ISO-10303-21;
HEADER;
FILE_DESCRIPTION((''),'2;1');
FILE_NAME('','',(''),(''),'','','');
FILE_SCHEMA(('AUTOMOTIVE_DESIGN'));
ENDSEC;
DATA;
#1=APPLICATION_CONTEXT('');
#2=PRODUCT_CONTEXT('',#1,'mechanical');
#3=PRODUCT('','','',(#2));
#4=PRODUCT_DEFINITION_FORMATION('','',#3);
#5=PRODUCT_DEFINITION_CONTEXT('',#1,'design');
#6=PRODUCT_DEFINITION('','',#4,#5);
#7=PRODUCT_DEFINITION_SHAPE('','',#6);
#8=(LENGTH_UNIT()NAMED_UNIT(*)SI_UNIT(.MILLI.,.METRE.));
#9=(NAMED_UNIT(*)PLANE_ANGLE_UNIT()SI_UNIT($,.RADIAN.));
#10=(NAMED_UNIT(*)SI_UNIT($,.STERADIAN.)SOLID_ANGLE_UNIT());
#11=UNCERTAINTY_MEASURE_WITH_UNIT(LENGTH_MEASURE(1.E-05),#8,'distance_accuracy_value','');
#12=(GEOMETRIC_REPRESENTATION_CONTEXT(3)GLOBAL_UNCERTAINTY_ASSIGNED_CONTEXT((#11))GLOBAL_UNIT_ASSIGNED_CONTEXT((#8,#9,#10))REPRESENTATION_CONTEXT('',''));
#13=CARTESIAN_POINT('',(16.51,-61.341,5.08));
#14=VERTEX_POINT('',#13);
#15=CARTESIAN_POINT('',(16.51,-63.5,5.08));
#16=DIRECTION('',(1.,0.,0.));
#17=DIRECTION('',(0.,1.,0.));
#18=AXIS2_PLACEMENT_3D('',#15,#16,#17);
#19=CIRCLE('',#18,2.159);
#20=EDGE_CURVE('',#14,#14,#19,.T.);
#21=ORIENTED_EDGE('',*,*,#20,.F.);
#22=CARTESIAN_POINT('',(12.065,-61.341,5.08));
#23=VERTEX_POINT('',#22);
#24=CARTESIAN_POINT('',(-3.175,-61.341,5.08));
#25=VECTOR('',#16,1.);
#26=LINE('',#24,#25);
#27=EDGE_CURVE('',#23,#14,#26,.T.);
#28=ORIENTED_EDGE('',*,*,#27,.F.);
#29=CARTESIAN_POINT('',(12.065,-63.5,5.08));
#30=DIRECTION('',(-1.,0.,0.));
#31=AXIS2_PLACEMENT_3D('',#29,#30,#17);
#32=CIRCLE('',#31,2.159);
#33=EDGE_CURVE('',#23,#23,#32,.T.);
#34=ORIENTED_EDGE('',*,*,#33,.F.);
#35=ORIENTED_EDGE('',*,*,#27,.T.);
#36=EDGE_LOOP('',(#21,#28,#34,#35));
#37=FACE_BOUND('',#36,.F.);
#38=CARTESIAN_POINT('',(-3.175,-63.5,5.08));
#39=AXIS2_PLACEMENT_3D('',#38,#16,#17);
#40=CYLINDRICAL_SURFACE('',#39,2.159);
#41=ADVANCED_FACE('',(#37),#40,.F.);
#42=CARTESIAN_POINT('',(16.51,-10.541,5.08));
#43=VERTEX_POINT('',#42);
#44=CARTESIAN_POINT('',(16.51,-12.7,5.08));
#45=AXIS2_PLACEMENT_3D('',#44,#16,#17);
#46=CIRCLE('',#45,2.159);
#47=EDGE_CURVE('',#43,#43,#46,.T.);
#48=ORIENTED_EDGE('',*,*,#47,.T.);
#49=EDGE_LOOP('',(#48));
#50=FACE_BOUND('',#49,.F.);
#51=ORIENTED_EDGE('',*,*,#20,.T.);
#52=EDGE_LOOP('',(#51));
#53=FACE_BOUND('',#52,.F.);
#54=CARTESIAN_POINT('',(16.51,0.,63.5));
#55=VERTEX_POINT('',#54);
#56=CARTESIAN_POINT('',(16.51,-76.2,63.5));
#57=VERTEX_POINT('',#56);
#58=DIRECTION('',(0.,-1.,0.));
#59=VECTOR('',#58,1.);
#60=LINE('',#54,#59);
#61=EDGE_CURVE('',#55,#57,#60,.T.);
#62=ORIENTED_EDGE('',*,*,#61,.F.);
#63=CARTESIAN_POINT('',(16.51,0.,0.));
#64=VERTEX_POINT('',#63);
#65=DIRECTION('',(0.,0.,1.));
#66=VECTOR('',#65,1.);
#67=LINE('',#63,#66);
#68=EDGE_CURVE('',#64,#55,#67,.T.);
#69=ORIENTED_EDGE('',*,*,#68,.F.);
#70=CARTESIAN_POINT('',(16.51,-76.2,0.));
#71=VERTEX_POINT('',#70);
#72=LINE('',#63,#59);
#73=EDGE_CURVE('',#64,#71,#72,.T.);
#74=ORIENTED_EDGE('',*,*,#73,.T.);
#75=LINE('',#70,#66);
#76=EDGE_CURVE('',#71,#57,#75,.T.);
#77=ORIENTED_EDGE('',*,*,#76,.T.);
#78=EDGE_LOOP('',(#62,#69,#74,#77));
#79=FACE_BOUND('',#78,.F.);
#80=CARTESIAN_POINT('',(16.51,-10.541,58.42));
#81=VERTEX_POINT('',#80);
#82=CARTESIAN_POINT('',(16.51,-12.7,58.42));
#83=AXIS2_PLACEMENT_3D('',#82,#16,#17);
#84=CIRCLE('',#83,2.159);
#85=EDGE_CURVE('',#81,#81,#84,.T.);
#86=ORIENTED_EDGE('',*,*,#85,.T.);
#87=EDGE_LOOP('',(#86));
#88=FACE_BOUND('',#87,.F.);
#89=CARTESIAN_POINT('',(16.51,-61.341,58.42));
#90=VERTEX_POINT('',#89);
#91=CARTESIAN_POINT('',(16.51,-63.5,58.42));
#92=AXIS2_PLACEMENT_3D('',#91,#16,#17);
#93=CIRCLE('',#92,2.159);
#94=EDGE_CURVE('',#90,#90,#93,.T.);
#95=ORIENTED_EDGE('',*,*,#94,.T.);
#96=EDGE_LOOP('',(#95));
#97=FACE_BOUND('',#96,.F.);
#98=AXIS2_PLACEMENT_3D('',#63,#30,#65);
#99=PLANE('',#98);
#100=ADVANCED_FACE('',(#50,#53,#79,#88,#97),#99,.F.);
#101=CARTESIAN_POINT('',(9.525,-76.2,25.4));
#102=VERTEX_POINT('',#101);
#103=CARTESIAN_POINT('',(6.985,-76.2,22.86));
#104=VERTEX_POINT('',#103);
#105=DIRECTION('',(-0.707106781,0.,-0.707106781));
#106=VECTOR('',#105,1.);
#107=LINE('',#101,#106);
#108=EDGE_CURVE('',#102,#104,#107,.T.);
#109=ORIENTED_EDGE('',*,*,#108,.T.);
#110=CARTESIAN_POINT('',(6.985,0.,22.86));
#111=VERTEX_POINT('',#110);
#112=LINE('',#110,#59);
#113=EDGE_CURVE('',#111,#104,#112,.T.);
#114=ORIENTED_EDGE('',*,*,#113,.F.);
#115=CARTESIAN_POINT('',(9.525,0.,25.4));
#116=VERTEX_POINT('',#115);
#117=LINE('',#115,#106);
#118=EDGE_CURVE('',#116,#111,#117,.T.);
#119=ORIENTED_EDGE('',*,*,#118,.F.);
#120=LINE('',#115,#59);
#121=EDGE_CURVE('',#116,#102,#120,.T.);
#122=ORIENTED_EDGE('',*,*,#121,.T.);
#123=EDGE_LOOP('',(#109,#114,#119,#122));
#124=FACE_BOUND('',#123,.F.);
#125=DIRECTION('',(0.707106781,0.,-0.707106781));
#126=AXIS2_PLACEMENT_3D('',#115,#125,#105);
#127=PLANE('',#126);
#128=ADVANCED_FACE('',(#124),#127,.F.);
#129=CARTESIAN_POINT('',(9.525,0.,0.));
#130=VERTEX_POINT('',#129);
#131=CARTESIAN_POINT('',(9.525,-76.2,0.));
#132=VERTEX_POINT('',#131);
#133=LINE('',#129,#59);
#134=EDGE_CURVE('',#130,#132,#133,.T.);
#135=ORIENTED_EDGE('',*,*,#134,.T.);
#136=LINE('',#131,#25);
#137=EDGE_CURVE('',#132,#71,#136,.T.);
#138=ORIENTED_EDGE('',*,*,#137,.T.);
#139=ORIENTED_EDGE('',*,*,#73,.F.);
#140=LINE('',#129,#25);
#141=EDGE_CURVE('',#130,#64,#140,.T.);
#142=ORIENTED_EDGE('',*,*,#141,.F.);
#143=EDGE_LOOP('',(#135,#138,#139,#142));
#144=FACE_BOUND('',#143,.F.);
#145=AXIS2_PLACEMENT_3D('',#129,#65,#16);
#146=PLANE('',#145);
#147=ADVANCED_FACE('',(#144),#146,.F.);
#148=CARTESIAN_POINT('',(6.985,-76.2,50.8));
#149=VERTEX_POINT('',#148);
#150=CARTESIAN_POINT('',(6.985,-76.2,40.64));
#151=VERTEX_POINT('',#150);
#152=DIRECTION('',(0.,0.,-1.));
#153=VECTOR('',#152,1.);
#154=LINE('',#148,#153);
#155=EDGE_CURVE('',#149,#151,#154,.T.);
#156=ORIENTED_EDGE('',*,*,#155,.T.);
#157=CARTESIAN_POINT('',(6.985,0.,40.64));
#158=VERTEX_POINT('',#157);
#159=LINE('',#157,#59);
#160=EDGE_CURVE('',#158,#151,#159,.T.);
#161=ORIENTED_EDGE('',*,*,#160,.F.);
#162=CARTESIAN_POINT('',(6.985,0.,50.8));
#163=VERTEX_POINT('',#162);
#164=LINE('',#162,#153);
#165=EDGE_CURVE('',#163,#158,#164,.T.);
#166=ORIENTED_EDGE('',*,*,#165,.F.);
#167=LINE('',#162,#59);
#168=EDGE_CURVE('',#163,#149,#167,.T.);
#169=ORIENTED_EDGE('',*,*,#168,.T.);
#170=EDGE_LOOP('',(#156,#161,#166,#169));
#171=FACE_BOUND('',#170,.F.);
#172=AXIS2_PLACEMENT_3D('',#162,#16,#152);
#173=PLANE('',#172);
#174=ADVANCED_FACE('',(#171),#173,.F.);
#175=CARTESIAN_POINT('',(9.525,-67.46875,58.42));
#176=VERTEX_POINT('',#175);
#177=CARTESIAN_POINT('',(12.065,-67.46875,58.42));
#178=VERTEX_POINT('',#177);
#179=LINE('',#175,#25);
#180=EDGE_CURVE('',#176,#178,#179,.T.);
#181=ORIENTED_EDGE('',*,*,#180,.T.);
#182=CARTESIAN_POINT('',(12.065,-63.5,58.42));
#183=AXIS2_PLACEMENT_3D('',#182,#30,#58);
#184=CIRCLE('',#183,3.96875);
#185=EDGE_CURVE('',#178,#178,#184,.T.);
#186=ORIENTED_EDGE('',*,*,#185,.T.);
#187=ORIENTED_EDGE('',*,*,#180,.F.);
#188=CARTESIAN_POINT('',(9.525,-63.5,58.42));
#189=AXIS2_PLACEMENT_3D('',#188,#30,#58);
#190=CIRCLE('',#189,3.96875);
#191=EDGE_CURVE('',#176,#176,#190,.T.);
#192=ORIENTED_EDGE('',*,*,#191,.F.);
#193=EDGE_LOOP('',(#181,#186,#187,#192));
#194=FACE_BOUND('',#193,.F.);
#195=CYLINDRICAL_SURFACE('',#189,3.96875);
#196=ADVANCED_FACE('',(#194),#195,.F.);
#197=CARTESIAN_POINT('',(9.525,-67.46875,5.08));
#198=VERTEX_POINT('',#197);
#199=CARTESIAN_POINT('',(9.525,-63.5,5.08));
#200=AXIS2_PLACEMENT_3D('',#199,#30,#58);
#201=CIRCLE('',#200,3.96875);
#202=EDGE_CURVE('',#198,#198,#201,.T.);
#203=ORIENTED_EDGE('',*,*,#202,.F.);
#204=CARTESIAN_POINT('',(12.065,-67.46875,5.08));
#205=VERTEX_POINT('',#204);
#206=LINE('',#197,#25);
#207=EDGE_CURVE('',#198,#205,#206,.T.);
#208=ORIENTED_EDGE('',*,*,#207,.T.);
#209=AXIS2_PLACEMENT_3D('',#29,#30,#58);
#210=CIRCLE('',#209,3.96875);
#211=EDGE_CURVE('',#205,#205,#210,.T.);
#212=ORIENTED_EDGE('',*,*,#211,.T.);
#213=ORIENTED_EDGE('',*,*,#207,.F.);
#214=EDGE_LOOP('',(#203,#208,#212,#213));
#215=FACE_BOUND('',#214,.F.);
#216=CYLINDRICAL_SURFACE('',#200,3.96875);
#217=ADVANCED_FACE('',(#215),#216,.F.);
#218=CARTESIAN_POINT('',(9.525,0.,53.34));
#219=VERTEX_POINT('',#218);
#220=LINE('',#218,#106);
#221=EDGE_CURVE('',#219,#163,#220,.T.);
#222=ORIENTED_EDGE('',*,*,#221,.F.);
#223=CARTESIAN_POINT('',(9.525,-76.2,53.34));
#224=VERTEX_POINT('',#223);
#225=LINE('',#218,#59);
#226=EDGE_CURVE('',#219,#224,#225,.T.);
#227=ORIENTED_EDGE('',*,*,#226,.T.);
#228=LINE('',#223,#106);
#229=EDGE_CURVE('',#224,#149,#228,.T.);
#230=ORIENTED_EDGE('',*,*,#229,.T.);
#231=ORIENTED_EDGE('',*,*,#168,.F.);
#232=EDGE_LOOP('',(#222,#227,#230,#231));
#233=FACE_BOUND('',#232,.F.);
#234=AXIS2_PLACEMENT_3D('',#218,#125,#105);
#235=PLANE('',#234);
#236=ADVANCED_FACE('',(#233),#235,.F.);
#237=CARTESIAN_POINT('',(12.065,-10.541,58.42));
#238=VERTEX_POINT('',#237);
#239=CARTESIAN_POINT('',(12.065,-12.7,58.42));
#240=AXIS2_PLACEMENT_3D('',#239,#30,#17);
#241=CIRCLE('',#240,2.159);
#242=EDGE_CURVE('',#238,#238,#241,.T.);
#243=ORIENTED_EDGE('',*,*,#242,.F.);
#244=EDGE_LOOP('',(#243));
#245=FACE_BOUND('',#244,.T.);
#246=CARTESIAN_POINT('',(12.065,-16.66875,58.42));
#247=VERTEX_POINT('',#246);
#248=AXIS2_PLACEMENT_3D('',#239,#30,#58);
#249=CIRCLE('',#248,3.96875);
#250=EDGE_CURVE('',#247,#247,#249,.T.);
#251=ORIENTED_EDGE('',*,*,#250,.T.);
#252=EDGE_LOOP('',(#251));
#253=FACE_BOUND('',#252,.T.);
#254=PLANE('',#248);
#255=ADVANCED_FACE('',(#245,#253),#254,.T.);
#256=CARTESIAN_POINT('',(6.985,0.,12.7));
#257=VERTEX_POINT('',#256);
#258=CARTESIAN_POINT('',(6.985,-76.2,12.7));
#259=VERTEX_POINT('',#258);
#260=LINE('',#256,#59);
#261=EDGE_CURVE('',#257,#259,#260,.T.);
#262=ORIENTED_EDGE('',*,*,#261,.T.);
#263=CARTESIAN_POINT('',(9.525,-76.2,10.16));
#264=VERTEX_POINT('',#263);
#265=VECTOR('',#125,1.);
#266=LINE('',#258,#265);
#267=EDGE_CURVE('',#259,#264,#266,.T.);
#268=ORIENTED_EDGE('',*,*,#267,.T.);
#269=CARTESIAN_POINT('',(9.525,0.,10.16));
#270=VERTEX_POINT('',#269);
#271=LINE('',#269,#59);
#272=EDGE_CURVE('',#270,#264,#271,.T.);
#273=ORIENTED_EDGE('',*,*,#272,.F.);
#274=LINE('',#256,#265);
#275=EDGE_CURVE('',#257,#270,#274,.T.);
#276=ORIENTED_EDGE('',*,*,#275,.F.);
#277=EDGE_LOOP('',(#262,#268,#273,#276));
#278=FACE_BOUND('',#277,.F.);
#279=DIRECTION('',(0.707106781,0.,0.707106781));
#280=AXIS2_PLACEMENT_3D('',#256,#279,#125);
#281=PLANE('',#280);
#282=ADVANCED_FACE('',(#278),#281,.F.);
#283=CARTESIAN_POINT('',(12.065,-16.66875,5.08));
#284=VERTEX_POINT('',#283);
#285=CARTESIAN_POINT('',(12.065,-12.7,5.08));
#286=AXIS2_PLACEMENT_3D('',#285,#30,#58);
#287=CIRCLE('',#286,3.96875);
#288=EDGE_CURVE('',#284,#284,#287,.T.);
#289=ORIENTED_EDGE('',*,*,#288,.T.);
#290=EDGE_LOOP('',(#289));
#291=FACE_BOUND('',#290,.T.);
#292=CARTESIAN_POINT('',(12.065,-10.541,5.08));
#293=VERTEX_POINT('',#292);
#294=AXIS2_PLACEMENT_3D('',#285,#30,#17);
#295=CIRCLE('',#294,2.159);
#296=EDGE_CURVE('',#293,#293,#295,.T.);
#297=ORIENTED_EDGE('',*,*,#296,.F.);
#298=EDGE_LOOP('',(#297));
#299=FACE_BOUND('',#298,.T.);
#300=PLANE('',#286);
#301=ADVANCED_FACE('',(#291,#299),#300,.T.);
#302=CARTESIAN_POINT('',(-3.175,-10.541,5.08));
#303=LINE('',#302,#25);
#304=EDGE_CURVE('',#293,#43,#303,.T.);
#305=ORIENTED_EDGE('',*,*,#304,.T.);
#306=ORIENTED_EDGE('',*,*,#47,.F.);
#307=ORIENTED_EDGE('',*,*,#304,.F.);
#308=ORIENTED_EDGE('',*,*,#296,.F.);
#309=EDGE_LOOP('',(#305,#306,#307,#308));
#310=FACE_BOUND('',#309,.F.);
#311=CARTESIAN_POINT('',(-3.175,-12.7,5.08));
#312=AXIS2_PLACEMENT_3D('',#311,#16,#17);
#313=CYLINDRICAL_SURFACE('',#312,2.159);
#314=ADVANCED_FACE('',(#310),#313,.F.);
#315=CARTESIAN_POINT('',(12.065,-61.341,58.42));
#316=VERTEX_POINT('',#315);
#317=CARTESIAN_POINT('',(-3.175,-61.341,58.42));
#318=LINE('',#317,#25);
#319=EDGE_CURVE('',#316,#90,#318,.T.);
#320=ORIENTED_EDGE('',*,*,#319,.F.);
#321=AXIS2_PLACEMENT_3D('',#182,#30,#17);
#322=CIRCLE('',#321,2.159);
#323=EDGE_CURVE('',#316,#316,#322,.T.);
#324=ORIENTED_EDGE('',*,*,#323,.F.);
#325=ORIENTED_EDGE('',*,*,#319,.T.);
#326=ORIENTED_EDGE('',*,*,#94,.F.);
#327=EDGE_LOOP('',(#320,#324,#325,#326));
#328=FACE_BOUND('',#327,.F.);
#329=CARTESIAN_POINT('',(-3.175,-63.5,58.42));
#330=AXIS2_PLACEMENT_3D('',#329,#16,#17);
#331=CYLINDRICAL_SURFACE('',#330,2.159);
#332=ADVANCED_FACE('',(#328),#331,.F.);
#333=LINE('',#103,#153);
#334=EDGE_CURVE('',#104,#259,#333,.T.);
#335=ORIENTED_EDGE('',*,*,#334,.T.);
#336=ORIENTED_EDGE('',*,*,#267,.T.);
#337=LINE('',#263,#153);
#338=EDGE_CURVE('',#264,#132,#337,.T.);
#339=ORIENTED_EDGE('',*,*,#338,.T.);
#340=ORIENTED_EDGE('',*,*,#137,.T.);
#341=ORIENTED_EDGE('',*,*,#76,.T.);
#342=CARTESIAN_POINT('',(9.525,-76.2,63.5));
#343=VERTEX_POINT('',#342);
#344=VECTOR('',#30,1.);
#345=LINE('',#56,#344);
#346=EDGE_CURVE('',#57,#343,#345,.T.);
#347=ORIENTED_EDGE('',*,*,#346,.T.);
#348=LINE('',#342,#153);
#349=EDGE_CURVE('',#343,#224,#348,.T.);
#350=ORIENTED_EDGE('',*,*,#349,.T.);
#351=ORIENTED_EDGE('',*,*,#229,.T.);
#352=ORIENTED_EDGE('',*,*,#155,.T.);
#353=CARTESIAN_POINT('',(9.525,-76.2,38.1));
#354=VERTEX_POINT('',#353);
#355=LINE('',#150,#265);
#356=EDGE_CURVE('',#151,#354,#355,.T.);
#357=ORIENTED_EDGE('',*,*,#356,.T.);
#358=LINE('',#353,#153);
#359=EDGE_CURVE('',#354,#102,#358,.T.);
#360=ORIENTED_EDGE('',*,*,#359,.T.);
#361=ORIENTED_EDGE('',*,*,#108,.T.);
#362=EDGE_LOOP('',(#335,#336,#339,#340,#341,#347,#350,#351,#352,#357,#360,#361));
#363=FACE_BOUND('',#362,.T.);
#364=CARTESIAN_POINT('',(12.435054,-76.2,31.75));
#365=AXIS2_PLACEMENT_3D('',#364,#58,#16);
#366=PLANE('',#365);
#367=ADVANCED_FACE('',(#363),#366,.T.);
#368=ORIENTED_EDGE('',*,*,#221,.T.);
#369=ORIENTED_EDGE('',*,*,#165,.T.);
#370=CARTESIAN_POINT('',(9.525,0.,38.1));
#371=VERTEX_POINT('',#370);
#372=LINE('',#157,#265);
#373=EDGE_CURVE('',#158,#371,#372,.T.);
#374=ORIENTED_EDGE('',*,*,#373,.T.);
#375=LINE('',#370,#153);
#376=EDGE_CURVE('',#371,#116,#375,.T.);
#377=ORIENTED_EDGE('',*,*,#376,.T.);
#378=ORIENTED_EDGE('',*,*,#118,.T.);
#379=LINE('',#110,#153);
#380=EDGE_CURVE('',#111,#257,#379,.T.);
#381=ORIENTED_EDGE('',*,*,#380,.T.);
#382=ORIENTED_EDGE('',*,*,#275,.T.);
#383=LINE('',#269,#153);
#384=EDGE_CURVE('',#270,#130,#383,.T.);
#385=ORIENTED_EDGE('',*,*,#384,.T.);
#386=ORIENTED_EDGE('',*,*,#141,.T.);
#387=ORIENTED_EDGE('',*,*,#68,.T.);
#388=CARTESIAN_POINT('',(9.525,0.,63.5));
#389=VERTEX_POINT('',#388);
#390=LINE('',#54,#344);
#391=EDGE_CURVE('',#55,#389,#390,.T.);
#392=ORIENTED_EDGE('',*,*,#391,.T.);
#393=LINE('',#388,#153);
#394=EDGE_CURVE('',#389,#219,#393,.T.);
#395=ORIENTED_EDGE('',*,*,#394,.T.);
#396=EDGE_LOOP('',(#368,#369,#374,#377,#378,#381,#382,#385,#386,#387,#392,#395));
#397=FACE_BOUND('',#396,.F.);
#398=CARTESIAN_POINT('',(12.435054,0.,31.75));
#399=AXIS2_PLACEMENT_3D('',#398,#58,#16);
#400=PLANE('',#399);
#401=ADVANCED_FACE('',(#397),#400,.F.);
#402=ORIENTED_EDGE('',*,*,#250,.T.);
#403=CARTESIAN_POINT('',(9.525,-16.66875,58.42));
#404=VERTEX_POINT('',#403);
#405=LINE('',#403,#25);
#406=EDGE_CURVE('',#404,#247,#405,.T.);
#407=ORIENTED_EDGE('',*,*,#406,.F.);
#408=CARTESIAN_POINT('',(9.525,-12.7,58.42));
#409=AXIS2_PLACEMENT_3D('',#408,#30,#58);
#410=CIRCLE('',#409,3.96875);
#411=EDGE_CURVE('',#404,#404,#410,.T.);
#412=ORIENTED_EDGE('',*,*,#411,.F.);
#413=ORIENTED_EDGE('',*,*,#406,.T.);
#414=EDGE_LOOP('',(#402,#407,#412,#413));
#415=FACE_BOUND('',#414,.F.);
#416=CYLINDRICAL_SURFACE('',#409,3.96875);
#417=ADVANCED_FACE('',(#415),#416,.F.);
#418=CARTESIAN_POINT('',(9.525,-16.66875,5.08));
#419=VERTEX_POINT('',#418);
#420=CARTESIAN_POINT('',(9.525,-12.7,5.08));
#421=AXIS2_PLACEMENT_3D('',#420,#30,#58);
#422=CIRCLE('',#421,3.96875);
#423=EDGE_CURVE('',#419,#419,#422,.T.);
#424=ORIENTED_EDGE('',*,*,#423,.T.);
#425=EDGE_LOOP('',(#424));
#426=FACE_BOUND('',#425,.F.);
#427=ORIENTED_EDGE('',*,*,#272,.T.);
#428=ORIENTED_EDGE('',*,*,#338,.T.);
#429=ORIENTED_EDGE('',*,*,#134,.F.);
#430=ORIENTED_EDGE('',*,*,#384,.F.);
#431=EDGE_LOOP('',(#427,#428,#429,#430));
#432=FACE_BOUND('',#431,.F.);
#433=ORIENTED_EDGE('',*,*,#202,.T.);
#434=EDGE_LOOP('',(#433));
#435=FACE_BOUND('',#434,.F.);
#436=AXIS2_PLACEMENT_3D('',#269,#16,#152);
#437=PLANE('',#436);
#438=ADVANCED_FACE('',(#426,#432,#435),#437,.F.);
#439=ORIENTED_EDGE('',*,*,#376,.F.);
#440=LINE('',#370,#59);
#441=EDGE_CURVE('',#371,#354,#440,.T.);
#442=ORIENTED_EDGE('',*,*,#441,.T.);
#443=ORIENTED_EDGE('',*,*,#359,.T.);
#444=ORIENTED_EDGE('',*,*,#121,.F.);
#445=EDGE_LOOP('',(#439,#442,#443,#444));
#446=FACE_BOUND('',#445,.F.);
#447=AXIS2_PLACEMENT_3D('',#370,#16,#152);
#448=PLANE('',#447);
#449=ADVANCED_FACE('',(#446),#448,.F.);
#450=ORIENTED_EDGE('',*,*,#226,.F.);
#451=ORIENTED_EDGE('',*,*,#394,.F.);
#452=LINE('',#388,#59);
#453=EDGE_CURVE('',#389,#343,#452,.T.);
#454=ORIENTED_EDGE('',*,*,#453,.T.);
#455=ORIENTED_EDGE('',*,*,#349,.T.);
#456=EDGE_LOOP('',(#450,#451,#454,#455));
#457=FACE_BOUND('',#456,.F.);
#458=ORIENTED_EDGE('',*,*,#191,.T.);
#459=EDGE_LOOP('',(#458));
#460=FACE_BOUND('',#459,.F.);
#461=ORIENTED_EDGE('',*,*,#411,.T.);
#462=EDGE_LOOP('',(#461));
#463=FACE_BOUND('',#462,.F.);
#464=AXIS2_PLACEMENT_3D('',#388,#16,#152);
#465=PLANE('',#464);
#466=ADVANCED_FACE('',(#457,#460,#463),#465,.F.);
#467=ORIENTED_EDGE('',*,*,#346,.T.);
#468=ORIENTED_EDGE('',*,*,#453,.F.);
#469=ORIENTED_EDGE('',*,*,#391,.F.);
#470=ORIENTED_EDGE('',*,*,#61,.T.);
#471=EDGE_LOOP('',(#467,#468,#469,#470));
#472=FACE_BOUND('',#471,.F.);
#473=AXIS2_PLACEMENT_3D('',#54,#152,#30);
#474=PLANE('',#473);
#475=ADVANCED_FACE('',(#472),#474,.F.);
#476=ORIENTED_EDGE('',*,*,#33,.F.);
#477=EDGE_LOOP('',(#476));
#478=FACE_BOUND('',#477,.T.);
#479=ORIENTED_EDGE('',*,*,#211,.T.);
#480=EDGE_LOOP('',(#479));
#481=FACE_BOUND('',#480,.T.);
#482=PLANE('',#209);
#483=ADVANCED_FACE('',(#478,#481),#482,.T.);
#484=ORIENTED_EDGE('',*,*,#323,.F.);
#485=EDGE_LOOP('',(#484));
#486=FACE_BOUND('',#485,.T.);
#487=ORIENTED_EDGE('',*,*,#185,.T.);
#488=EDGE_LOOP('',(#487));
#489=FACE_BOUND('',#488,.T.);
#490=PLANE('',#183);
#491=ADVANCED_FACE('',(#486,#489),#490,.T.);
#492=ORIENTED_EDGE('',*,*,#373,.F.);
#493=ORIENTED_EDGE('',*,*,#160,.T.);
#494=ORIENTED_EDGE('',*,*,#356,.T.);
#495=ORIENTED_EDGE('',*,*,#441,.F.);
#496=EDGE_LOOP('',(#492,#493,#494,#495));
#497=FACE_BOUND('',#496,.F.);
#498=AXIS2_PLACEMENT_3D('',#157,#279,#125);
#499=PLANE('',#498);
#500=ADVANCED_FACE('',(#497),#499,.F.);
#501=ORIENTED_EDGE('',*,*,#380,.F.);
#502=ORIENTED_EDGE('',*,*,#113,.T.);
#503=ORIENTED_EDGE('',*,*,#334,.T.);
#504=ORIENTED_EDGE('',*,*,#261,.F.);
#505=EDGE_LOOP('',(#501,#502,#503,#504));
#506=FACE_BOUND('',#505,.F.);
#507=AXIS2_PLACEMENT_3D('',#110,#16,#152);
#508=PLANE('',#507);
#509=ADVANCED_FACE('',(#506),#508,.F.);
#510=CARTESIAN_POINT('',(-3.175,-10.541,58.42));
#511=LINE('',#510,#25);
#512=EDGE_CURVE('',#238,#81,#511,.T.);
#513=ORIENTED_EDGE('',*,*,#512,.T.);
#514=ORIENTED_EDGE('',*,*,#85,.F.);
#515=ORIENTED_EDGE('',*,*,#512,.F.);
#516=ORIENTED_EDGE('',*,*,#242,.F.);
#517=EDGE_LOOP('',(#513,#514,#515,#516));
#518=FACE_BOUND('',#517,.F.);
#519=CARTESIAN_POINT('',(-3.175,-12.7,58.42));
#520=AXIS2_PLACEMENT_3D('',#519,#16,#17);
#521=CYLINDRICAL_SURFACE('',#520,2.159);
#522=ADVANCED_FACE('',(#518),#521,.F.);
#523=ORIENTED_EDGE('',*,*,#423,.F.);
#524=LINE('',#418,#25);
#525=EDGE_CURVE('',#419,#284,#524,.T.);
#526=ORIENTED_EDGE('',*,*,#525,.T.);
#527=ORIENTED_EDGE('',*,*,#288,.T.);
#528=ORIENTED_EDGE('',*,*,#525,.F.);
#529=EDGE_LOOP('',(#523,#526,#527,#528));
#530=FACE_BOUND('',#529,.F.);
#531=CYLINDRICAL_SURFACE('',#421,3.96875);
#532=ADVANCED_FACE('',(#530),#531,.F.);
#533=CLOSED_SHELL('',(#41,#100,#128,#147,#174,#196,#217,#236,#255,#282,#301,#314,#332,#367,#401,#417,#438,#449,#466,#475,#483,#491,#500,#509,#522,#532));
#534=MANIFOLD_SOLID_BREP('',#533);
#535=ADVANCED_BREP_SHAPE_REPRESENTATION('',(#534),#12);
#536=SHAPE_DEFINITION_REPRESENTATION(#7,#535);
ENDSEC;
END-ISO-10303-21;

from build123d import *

# Parameters (mm, degrees)
F1_DEPTH = 76.2
F3_D     = 4.318
F3_DEPTH = 12.7
F3_TIP   = 1.2972580765
F4_R     = 3.96875
F4_R_2   = 2.159
F5_DEPTH = 2.54


with BuildPart() as f1:
    # F0 (on Front) → F1 (new body)
    with BuildSketch(Plane.XZ):
        Polygon((6.985, 50.8), (6.985, 40.64), (9.525, 38.1), (9.525, 25.4), (6.985, 22.86), (6.985, 12.7), (9.525, 10.16), (9.525, 0), (16.51, 0), (16.51, 63.5), (9.525, 63.5), (9.525, 53.34), align=None)
    extrude(amount=F1_DEPTH)

    # F3
    with Locations(Plane(origin=(9.525, 0, 0), x_dir=(0, -1, 0), z_dir=(-1, 0, 0))):
        with Locations((12.7, 58.42), (63.5, 58.42), (12.7, 5.08), (63.5, 5.08)):
            Hole(F3_D / 2, depth=F3_DEPTH)
            with Locations((0, 0, -(F3_DEPTH + F3_TIP / 2))):  # 118° drill point
                Cone(0, F3_D / 2, F3_TIP, mode=Mode.SUBTRACT)

    # F4 (on face) → F5 (cut)
    with BuildSketch(Plane(origin=(9.525, 0, 0), x_dir=(0, -1, 0), z_dir=(-1, 0, 0))):
        with Locations((12.7, 58.42)):
            Circle(F4_R)
        with Locations((12.7, 58.42)):
            Circle(F4_R_2, mode=Mode.SUBTRACT)
        with Locations((63.5, 58.42)):
            Circle(F4_R)
        with Locations((63.5, 58.42)):
            Circle(F4_R_2, mode=Mode.SUBTRACT)
        with Locations((12.7, 5.08)):
            Circle(F4_R)
        with Locations((12.7, 5.08)):
            Circle(F4_R_2, mode=Mode.SUBTRACT)
        with Locations((63.5, 5.08)):
            Circle(F4_R)
        with Locations((63.5, 5.08)):
            Circle(F4_R_2, mode=Mode.SUBTRACT)
    extrude(amount=-F5_DEPTH, mode=Mode.SUBTRACT)


solid = f1.part
